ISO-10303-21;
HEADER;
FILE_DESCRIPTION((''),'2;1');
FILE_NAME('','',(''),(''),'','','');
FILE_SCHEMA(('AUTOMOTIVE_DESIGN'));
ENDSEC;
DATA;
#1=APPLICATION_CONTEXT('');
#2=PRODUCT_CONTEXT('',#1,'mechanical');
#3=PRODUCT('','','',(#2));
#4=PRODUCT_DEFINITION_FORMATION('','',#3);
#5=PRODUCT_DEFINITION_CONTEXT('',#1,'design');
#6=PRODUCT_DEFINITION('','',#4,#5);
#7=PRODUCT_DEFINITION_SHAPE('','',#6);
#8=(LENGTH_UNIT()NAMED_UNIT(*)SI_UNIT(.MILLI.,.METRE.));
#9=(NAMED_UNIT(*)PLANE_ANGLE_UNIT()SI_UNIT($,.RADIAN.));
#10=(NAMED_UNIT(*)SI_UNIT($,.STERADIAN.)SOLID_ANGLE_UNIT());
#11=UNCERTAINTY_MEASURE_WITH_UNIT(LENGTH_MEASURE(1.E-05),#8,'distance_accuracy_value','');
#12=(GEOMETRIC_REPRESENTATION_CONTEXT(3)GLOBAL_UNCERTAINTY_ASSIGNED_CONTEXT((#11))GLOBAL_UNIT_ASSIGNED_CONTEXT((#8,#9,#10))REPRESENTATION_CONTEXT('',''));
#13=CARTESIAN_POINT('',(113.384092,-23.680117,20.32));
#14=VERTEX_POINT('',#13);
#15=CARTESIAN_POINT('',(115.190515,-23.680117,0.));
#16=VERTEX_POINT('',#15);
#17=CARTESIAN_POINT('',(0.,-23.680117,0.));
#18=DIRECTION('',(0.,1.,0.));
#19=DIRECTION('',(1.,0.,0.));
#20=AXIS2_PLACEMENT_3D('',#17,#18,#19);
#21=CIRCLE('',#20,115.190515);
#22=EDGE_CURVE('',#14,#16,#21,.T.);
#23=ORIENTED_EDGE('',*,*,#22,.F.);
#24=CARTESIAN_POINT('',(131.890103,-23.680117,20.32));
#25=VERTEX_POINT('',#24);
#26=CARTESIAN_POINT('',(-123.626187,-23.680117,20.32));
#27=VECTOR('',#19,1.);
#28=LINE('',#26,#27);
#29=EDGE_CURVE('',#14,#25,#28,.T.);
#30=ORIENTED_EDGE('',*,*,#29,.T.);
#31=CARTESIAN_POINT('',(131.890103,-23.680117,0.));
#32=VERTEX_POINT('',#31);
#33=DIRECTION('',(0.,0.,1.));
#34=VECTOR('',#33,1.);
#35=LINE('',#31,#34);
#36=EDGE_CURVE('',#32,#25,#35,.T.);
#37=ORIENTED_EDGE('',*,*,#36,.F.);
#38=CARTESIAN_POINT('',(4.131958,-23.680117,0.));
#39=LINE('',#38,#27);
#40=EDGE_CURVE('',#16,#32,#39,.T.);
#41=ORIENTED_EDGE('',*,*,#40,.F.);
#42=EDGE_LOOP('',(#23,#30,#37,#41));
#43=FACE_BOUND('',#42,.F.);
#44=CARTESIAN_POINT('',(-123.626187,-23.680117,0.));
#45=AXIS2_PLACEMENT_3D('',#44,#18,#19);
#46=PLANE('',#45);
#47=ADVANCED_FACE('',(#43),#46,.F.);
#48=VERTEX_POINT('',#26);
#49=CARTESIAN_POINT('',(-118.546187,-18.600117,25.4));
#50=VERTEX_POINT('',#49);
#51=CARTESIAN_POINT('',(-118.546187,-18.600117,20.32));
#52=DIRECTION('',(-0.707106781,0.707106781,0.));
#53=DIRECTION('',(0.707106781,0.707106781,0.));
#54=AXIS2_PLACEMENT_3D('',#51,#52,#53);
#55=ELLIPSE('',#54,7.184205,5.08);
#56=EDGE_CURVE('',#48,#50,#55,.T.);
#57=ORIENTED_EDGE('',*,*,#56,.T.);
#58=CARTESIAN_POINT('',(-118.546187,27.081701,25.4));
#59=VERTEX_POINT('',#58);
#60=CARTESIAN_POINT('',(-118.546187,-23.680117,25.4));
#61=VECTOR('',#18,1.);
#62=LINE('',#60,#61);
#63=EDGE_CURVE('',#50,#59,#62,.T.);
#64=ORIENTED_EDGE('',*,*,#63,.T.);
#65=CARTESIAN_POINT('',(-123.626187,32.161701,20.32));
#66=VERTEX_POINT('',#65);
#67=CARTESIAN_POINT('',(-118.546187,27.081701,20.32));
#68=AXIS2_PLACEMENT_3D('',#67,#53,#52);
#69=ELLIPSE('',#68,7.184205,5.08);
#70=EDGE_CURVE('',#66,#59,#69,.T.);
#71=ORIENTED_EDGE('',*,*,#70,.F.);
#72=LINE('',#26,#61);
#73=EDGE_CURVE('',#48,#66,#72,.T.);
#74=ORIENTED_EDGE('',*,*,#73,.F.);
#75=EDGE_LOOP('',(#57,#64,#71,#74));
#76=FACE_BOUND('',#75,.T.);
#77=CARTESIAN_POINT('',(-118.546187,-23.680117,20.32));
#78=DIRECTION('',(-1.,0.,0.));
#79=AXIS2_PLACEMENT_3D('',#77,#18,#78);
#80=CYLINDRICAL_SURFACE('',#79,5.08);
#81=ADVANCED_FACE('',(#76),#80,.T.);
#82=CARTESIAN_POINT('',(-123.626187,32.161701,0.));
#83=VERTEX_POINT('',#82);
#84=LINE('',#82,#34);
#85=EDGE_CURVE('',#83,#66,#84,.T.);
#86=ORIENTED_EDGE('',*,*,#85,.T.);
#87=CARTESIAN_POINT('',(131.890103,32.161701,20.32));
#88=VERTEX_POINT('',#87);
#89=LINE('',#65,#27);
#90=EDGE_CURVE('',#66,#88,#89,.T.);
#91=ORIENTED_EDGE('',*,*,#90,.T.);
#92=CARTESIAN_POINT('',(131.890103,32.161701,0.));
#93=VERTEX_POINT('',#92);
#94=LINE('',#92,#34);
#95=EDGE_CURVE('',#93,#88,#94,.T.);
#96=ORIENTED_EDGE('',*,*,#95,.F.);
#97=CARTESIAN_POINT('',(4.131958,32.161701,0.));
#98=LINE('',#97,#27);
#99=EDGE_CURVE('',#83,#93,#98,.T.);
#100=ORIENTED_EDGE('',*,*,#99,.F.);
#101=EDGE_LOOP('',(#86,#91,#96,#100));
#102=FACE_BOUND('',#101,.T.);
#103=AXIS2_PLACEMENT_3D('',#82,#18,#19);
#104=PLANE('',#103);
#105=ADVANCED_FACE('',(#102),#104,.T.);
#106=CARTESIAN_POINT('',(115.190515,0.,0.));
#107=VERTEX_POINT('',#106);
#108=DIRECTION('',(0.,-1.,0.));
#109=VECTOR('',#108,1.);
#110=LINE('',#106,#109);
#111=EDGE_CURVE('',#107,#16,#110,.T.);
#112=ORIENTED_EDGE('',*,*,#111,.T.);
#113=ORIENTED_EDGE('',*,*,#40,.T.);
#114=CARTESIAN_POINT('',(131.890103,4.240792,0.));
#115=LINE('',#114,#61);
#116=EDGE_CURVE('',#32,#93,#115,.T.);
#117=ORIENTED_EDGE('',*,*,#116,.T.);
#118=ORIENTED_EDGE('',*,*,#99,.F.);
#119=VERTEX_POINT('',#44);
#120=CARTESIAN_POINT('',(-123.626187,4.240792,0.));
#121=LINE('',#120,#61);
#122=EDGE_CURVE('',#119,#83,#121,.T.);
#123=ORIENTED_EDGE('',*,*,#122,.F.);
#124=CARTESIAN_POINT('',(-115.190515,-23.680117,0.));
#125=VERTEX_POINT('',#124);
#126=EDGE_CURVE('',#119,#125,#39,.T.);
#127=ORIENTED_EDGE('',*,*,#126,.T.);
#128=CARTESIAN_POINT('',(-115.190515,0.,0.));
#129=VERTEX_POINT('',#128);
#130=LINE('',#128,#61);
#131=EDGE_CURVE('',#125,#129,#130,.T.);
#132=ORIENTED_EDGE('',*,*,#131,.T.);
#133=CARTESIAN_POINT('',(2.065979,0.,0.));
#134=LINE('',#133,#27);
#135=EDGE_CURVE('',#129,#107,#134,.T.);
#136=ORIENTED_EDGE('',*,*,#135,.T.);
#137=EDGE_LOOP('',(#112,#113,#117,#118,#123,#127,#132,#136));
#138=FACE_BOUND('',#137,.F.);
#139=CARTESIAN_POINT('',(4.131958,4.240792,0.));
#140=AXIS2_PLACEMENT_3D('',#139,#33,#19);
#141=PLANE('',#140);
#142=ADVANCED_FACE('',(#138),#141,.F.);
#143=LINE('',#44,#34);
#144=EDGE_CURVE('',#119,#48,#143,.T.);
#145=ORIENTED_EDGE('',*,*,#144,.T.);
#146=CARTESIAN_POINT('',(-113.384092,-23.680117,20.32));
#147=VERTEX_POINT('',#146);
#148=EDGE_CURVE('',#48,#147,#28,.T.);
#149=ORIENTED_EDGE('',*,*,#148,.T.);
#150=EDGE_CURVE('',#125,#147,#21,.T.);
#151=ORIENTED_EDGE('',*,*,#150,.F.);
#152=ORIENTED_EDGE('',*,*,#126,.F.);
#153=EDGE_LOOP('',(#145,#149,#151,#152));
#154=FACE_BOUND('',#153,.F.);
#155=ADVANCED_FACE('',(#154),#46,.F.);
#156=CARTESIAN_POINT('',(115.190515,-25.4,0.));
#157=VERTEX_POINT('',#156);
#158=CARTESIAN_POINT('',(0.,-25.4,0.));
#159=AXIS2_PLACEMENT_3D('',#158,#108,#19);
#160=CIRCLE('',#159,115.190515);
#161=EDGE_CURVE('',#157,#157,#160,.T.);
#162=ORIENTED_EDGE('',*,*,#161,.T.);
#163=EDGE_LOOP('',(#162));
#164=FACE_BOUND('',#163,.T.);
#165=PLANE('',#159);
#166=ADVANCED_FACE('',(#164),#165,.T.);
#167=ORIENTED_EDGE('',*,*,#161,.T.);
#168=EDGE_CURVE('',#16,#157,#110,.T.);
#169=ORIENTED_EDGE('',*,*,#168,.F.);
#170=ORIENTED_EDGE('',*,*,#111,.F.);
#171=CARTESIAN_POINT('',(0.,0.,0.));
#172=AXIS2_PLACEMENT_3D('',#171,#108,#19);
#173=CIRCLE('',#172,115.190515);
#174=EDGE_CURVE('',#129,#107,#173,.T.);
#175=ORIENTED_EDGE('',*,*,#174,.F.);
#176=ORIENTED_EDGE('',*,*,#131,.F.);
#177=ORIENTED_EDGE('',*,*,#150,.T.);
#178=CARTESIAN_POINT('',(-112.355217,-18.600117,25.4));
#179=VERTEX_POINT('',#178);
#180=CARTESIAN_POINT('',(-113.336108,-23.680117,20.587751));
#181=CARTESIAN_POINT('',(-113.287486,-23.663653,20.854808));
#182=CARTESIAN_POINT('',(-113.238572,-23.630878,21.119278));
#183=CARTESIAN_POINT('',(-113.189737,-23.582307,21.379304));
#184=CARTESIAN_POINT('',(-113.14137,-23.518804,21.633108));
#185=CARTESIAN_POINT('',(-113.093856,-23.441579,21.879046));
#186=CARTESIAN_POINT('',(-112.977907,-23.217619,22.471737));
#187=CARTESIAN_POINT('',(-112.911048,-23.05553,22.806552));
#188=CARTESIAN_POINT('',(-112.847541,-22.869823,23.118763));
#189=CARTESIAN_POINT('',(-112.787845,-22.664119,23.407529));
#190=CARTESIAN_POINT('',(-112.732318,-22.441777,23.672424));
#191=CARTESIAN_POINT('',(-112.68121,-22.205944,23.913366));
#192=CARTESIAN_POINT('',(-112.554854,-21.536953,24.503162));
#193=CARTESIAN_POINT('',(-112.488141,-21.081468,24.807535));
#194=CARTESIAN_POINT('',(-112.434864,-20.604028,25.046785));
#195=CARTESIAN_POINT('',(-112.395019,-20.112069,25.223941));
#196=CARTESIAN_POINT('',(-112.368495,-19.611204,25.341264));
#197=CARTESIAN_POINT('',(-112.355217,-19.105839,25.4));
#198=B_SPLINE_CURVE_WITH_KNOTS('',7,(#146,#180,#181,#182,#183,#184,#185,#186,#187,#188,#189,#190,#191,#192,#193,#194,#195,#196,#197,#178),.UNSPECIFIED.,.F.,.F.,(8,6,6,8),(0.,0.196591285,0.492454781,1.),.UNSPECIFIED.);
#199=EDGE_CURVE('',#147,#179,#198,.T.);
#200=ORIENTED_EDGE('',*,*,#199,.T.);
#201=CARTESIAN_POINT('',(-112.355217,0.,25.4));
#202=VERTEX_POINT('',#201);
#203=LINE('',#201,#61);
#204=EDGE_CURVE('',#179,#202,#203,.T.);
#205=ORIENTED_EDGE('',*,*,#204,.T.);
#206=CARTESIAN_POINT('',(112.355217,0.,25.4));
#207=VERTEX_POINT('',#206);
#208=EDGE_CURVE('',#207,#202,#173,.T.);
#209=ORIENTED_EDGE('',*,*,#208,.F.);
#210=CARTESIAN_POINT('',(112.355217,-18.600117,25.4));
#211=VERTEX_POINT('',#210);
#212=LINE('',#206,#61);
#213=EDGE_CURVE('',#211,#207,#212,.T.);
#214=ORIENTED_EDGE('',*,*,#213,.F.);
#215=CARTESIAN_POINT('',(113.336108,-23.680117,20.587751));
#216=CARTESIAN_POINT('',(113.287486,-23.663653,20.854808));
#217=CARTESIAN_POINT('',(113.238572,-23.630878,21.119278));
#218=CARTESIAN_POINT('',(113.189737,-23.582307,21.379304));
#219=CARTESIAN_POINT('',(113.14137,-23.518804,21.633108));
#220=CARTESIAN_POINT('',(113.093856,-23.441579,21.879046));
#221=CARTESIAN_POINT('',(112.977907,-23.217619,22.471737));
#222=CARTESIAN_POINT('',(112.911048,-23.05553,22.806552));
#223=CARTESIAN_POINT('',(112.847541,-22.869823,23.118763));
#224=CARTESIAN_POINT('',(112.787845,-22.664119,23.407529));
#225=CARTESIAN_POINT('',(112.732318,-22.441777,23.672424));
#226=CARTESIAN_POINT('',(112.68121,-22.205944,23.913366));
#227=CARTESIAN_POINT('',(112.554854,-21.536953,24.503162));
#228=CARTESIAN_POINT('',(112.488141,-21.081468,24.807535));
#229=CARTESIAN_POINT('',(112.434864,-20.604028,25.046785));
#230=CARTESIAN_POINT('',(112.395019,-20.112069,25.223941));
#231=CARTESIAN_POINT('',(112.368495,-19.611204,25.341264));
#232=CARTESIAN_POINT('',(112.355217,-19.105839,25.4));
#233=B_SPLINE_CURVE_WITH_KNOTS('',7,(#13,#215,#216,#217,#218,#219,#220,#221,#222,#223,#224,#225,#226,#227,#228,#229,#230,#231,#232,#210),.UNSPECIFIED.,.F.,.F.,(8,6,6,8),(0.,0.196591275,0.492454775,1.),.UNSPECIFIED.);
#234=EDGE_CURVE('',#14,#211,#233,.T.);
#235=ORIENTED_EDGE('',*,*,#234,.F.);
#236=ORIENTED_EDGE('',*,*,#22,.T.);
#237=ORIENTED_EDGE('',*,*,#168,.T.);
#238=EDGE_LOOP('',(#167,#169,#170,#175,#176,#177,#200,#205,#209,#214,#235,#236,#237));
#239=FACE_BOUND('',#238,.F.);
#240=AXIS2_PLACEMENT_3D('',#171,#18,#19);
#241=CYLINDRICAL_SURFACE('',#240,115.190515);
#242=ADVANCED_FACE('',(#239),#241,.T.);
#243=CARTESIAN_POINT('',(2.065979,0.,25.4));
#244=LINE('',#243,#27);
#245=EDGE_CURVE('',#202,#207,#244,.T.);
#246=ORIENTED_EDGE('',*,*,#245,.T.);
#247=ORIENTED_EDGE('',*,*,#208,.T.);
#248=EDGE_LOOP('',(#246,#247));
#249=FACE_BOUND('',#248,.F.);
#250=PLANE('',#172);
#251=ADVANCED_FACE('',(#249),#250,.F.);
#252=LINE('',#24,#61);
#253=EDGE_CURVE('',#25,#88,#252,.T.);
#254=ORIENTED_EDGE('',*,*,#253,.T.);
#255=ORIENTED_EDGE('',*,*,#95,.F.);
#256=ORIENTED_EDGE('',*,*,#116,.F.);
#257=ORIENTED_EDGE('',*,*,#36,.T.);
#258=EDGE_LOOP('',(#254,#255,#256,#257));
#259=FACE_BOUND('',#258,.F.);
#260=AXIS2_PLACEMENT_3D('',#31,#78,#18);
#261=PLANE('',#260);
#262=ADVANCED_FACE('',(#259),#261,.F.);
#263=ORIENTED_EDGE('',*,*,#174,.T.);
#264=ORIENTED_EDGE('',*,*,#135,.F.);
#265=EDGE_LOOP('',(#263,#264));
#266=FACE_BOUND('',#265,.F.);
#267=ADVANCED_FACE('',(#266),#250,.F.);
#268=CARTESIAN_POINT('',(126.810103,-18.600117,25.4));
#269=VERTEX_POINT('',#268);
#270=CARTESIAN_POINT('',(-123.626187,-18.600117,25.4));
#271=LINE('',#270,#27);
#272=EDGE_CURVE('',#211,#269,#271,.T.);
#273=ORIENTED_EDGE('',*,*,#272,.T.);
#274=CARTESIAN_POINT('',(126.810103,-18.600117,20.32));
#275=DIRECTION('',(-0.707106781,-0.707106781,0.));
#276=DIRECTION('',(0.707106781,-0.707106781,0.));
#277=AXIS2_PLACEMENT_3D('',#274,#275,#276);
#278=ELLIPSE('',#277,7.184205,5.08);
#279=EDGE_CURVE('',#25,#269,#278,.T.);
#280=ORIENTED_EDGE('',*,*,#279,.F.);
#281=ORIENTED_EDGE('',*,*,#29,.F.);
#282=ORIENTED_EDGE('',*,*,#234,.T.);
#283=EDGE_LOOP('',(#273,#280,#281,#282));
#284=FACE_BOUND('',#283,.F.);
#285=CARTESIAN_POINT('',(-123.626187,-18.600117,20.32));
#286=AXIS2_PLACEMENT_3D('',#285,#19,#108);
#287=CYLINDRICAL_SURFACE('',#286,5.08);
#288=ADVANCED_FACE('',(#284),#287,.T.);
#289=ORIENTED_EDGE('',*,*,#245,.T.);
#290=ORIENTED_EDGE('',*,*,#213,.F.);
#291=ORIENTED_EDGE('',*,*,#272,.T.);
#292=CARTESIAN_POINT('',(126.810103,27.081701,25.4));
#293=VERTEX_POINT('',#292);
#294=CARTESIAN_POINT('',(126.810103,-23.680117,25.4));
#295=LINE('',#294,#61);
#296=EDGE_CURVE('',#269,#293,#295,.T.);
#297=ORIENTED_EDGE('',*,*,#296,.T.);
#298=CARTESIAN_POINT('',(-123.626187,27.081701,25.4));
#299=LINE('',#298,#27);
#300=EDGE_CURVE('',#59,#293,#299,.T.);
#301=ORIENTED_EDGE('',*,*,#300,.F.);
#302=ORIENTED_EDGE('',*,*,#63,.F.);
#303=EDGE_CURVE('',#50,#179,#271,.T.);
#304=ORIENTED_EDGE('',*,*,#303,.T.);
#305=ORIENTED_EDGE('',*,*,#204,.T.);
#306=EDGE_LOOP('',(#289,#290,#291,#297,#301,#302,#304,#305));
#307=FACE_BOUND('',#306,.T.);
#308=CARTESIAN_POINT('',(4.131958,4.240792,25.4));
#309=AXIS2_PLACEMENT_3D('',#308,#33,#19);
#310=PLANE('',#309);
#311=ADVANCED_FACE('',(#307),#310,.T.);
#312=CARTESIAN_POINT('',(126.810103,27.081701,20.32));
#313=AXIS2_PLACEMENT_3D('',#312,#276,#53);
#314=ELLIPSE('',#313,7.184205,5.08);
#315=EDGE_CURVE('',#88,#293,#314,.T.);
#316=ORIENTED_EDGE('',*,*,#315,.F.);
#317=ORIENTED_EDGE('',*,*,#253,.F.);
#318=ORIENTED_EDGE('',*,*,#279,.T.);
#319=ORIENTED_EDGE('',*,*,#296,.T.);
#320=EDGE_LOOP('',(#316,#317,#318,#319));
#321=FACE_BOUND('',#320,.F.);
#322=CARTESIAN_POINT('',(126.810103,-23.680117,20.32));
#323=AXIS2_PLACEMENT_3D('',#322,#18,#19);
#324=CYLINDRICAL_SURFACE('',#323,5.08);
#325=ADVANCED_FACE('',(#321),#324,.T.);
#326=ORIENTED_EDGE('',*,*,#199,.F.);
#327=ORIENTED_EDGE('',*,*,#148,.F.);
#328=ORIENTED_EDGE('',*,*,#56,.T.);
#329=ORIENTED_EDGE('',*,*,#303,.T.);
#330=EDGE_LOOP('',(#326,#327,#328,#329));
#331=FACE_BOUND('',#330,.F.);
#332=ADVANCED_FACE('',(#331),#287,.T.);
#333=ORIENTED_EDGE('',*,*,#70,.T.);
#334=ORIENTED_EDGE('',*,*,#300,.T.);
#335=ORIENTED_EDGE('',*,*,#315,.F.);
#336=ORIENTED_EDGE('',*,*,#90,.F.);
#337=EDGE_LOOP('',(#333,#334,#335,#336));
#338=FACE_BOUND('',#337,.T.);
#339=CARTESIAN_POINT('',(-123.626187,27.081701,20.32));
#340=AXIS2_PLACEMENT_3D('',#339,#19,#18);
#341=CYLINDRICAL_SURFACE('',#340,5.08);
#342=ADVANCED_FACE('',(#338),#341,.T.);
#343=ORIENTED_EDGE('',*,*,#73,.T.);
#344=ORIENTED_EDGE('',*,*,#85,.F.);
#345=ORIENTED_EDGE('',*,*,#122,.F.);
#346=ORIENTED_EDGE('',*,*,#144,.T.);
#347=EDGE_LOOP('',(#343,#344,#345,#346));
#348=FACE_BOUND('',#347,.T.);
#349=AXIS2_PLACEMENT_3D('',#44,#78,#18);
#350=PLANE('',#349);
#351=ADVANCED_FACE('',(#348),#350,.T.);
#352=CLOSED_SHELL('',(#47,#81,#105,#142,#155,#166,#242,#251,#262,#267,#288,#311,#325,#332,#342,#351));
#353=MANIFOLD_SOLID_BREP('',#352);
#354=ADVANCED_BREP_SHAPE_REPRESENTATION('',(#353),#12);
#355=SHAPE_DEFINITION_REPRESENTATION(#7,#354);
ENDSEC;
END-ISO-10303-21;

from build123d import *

# Parameters (mm, degrees)
F0_W     = 255.5162906647
F0_H     = 55.8418184519
F1_DEPTH = 25.4
F2_R     = 5.08
F3_R     = 115.1905151489
F4_DEPTH = 25.4


with BuildPart() as f1:
    # F0 (on Top) → F1 (new body)
    with BuildSketch(Plane.XY):
        with Locations((4.1319578886, 4.2407922447)):
            Rectangle(F0_W, F0_H)
    extrude(amount=F1_DEPTH)

    # F2
    f2_edges = [f1.edges().sort_by_distance(p)[0] for p in [
        (-123.626187, 4.240792, 25.4),
        (4.131958, -23.680117, 25.4),
        (131.890103, 4.240792, 25.4),
        (4.131958, 32.161701, 25.4),
    ]]
    fillet(f2_edges, radius=F2_R)

    # F3 (on Front) → F4 (join)
    with BuildSketch(Plane.XZ):
        Circle(F3_R)
    extrude(amount=F4_DEPTH)


solid = f1.part
